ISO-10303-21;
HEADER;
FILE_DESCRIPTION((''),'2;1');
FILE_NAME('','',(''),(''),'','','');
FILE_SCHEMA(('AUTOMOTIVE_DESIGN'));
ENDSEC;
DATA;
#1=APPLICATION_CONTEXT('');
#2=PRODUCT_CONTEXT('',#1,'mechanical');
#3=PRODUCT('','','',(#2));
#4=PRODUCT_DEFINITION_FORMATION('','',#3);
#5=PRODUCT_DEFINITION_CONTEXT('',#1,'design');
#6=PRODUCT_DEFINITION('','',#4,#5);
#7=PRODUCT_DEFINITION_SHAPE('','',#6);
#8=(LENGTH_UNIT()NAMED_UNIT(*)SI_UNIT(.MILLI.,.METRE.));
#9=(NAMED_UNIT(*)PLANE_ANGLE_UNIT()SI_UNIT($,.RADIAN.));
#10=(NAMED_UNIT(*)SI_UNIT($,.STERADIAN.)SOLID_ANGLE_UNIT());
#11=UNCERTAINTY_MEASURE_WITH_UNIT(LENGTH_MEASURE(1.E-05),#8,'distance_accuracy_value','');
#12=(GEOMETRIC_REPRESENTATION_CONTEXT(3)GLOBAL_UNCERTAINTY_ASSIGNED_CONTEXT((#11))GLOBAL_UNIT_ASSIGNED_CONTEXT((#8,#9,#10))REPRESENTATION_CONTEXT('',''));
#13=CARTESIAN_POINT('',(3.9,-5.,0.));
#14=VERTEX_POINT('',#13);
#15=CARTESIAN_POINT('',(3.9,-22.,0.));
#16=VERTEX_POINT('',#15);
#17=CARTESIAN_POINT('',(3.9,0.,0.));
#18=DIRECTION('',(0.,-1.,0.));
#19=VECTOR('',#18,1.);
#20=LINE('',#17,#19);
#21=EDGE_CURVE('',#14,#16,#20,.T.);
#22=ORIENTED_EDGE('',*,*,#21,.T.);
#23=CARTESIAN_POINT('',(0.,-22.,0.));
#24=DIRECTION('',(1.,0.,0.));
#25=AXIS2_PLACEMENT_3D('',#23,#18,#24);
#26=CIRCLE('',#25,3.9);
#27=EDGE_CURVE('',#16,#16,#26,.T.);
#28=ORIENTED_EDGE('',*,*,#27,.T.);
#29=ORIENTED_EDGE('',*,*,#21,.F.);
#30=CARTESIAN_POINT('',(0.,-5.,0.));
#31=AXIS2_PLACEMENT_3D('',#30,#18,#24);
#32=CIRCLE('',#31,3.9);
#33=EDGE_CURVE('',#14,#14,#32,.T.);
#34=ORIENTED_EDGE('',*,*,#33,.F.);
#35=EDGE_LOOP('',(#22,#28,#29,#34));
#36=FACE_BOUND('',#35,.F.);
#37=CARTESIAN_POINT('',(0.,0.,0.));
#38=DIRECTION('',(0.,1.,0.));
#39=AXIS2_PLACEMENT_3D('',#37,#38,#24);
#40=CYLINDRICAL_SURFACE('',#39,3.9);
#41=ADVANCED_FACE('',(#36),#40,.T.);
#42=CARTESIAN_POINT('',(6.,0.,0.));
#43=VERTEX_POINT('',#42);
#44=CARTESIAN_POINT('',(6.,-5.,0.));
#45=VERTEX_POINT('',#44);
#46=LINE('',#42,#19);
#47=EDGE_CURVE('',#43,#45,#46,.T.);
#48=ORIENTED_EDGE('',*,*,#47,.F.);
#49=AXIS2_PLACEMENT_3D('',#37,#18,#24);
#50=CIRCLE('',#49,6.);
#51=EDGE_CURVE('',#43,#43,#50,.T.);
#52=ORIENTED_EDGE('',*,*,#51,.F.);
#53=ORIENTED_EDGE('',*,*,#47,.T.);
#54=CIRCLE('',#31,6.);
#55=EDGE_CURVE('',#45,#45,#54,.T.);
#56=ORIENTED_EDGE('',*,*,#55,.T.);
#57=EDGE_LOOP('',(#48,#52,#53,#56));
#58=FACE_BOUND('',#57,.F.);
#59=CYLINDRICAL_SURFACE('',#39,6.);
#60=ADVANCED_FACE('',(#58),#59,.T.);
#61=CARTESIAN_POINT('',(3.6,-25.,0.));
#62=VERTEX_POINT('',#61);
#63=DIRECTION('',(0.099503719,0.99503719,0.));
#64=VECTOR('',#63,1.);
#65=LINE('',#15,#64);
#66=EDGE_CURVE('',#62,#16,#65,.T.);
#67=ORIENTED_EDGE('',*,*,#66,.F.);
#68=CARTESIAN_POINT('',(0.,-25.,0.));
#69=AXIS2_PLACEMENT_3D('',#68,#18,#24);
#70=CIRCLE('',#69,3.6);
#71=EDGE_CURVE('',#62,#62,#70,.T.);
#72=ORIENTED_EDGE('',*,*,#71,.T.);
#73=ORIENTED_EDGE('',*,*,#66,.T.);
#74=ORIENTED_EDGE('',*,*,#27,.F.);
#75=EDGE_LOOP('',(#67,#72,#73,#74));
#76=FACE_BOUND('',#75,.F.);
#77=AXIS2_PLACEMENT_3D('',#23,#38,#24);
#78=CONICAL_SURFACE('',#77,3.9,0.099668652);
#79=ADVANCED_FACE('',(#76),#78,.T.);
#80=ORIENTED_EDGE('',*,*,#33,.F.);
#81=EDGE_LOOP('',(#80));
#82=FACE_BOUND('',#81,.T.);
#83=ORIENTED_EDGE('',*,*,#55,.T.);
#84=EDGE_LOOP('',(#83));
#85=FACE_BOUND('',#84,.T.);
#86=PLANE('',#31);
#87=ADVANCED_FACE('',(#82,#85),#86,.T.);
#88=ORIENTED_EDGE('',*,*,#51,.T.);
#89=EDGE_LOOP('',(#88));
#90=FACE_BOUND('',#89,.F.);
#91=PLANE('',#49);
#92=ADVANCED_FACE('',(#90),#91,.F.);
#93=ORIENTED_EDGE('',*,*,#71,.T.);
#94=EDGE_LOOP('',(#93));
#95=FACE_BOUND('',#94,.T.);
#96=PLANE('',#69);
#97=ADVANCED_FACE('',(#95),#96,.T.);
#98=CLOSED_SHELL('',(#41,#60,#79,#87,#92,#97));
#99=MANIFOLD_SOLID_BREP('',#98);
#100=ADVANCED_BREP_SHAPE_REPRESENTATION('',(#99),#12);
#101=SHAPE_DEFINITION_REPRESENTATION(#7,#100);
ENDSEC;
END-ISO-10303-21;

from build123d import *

# Parameters (mm, degrees)
F0_R     = 3.9
F1_DEPTH = 25
F0_R_2   = 6
F2_DEPTH = 5
F3_SIZE2 = 3
F3_SIZE  = 0.3


with BuildPart() as f1:
    # F0 (on Front) → F1 (new body)
    with BuildSketch(Plane.XZ):
        Circle(F0_R)
    extrude(amount=F1_DEPTH)

    # F0 (on Front) → F2 (join)
    with BuildSketch(Plane.XZ):
        Circle(F0_R_2)
        Circle(F0_R, mode=Mode.SUBTRACT)
    extrude(amount=F2_DEPTH)

    # F3
    f3_edges = [f1.edges().sort_by_distance(p)[0] for p in [
        (-3.9, -25, 0),
    ]]
    f3_side = f1.faces().sort_by_distance((0, -25, 0))[0]
    chamfer(f3_edges, length=F3_SIZE, length2=F3_SIZE2, reference=f3_side)


solid = f1.part
